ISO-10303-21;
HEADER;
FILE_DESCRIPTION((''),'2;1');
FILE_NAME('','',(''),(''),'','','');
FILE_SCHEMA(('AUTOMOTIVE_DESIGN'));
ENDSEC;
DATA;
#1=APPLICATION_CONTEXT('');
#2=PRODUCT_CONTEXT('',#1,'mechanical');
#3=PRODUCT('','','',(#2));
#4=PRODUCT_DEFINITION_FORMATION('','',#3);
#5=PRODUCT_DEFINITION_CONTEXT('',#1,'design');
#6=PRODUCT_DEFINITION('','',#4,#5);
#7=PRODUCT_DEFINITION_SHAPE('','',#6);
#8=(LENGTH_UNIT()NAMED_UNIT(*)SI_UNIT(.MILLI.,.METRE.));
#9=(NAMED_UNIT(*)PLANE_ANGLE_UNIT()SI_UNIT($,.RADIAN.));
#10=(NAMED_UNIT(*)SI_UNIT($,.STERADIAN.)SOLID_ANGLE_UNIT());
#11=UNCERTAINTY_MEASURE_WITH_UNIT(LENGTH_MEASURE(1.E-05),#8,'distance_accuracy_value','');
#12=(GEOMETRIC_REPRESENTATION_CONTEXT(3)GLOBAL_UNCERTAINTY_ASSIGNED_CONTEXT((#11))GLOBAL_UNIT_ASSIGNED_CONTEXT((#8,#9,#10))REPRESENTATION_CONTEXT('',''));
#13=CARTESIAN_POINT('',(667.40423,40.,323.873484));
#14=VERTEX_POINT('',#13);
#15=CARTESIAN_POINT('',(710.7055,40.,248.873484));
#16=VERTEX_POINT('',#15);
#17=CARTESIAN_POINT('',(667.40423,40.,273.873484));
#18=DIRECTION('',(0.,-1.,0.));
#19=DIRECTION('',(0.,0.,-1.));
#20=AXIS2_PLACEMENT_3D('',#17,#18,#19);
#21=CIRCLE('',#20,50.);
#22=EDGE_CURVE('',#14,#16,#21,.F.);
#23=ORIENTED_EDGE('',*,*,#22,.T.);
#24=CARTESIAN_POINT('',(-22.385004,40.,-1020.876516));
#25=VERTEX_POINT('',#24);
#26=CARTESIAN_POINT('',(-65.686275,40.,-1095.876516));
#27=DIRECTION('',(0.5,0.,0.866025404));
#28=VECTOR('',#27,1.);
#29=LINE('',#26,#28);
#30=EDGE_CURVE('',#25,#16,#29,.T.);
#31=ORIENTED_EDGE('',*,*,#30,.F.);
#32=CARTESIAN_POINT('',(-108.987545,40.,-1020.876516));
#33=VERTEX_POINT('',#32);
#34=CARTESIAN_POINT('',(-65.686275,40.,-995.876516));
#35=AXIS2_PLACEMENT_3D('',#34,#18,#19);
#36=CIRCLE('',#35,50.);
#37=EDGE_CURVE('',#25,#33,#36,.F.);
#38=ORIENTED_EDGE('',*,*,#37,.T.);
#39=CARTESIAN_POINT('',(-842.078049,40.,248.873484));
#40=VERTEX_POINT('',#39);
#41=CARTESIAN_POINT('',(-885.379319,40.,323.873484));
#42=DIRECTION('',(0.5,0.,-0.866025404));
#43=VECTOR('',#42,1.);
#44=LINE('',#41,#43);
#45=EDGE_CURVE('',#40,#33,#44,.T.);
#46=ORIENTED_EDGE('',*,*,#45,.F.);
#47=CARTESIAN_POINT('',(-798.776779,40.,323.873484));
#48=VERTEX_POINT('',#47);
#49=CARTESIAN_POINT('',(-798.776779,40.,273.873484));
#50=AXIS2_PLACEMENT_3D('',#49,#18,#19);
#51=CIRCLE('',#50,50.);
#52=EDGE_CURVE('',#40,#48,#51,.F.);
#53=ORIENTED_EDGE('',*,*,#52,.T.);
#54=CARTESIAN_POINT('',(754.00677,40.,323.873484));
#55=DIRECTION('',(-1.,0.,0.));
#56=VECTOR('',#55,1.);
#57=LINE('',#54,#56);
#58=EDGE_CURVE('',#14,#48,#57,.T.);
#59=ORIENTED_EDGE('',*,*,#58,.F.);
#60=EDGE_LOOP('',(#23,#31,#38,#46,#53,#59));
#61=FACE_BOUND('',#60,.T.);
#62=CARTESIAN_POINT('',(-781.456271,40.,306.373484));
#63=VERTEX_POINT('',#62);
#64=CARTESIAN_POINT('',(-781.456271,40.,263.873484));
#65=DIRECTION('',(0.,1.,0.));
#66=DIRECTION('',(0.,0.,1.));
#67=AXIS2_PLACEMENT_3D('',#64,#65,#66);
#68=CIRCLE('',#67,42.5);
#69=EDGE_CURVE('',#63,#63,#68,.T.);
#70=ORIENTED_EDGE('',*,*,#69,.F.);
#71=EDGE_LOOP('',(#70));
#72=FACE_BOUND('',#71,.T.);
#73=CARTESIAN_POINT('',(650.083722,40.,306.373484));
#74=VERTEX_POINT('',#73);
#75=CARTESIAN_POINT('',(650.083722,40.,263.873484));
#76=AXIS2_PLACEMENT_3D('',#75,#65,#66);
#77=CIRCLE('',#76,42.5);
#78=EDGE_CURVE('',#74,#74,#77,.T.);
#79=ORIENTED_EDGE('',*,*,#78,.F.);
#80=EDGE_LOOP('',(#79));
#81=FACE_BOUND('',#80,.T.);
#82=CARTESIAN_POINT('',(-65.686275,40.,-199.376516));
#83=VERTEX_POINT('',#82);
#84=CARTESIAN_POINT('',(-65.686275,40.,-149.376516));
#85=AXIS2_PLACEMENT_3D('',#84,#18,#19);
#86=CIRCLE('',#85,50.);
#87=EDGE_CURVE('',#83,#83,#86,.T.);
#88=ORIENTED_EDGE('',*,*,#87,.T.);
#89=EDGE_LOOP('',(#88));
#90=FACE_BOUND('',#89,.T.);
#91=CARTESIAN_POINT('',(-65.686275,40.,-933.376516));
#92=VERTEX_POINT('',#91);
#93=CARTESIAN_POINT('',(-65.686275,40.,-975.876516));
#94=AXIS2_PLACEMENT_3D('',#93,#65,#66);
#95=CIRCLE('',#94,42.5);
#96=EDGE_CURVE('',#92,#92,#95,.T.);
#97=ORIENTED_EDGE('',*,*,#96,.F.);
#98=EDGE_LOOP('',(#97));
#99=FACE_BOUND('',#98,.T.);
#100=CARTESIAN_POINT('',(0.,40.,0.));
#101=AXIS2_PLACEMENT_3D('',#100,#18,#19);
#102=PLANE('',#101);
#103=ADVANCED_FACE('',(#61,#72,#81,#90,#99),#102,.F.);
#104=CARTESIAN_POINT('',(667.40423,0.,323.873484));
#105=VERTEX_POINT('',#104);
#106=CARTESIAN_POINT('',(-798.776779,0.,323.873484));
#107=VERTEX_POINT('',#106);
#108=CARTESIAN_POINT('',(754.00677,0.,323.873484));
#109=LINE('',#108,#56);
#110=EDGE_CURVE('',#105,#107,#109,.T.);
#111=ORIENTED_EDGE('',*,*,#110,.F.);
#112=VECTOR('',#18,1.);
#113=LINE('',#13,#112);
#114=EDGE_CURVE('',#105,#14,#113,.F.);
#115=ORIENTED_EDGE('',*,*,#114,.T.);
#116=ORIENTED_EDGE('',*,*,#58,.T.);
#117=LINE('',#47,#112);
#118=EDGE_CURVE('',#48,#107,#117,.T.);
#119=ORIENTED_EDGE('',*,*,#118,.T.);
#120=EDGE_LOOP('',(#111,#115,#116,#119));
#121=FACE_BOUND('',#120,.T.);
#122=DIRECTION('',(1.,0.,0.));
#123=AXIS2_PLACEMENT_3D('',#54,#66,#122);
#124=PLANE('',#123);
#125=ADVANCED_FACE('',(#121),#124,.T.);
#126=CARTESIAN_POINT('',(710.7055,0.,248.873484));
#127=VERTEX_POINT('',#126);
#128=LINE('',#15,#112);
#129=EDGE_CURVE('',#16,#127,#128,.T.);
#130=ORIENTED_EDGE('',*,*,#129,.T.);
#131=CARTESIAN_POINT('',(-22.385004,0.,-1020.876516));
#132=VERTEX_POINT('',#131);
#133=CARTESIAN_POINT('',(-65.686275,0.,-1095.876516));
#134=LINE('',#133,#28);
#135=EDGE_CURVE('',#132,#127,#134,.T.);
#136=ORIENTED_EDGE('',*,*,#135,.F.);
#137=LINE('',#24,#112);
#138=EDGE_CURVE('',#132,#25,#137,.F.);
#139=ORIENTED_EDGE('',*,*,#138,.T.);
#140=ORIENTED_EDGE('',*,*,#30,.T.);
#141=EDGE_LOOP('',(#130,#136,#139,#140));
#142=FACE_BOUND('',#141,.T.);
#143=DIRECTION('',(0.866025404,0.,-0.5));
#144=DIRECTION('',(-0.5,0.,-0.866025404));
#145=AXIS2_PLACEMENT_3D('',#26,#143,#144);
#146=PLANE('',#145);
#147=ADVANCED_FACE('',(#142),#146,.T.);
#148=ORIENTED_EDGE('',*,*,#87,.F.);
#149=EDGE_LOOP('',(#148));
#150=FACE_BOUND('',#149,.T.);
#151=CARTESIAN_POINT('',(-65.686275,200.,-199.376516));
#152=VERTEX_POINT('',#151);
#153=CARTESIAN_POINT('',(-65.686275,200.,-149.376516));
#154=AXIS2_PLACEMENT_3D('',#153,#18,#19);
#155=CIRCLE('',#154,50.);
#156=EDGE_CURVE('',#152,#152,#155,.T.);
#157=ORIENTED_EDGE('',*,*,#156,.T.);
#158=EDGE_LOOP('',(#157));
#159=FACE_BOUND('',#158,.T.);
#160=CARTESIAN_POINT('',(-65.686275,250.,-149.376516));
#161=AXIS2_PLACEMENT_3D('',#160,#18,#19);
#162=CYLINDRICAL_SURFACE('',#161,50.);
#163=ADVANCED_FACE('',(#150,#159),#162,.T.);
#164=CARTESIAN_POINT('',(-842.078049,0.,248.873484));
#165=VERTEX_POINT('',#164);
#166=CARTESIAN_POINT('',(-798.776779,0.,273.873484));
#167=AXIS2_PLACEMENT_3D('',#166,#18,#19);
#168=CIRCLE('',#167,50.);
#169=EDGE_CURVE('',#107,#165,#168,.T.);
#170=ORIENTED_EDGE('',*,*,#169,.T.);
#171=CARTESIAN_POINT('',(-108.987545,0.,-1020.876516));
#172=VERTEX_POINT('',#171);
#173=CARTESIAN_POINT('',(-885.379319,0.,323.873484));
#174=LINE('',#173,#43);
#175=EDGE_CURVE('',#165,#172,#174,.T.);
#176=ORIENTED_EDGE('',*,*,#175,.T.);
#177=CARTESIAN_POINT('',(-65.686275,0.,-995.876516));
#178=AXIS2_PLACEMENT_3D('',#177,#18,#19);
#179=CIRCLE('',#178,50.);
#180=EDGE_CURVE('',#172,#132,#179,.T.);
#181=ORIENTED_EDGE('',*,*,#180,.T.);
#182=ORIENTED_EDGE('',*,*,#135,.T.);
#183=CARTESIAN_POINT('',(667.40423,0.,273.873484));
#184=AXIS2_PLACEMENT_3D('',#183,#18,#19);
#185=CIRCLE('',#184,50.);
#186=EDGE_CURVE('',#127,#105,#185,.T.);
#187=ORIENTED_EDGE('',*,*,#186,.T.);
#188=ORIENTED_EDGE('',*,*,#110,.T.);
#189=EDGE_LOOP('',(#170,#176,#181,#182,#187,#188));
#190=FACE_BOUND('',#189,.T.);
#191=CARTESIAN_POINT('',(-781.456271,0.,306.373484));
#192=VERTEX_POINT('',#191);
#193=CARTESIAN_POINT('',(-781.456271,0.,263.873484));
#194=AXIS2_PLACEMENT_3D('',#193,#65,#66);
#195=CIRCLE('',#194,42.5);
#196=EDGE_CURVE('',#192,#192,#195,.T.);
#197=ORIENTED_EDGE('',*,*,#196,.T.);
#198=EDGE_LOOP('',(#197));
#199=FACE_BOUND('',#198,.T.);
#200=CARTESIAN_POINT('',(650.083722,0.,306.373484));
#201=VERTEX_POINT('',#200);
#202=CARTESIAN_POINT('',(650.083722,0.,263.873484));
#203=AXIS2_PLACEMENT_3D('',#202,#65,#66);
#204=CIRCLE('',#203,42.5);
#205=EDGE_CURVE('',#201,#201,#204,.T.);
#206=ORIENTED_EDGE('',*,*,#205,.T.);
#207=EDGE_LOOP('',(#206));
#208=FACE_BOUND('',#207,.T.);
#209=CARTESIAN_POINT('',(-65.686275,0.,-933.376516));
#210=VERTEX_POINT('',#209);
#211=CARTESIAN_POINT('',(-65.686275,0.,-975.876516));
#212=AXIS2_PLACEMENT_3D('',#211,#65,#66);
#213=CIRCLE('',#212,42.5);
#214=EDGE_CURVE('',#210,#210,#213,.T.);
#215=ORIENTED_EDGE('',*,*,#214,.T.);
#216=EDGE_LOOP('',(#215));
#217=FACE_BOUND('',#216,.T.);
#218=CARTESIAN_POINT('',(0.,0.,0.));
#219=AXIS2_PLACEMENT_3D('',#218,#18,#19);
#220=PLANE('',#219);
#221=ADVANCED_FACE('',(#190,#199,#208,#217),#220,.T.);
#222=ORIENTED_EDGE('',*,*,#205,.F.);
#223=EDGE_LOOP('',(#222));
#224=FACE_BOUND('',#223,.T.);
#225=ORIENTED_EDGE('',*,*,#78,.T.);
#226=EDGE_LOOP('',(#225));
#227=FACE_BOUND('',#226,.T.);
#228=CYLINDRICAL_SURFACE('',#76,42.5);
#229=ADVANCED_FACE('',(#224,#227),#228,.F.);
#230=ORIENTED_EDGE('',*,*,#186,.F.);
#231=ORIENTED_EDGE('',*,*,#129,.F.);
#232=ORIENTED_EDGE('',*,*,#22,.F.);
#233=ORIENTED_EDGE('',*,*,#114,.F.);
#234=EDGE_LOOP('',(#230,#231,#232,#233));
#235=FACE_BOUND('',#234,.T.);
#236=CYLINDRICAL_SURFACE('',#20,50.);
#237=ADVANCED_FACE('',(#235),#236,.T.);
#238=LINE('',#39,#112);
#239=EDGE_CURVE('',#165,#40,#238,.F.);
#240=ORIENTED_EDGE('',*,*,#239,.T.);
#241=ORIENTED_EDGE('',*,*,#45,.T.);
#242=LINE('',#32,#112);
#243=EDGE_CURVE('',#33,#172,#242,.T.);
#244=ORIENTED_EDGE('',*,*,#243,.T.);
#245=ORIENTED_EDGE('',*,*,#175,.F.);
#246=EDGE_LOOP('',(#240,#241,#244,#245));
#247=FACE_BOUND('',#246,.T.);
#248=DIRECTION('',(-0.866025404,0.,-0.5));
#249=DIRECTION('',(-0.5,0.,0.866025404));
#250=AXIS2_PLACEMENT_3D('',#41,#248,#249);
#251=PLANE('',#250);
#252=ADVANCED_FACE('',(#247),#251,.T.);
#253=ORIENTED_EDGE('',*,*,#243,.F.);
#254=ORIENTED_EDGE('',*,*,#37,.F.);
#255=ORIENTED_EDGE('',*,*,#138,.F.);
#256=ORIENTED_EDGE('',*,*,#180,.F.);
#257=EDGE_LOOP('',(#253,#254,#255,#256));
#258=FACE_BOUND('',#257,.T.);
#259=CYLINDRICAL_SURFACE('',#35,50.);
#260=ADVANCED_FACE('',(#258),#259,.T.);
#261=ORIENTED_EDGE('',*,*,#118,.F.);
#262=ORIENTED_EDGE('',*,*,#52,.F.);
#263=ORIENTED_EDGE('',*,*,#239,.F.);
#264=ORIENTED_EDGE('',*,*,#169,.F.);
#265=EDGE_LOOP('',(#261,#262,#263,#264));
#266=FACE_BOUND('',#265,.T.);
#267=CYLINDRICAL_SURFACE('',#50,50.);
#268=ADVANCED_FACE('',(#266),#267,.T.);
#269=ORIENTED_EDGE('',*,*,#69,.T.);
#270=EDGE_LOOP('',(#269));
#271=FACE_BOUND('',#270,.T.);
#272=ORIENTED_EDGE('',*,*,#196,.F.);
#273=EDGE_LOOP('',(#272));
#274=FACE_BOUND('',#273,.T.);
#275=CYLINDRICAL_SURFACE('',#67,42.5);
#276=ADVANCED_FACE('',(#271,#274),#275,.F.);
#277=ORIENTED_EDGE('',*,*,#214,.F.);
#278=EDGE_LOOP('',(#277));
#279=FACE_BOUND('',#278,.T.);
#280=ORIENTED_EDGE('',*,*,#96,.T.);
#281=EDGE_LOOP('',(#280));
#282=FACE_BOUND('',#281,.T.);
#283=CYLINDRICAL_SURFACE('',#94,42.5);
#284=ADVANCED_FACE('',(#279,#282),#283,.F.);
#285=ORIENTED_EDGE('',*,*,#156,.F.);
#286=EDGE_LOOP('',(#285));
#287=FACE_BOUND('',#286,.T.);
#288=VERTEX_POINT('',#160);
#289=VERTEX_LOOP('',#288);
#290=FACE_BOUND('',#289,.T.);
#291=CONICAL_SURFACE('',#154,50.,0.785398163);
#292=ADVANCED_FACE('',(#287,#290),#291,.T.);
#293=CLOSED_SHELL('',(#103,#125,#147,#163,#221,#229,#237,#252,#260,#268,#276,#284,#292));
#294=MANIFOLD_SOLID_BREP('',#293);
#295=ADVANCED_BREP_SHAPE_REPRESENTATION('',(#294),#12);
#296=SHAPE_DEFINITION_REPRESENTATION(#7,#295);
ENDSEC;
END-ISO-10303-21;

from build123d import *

# Parameters (mm, degrees)
BOSS_EXTRUDE1_DEPTH      = 40
F_1_0_1_DIAMETER_HOLE1_D = 85
SKETCH8_R                = 50
BOSS_EXTRUDE2_DEPTH      = 250
FILLET1_R                = 50
CHAMFER1_SIZE            = 50


with BuildPart() as part:
    # Sketch1 → Boss-Extrude1 (new body)
    with BuildSketch(Plane(origin=(0, 0, 0), x_dir=(1, 0, 0), z_dir=(0, 1, 0))):
        Polygon((-65.68627451, 1095.876515785), (754.006770172, -323.873484215), (-885.379319192, -323.873484215), align=None)
    extrude(amount=BOSS_EXTRUDE1_DEPTH)

    # Ø1.0 (1) Diameter Hole1 (through all)
    with Locations(Plane(origin=(0, 40, 0), x_dir=(1, 0, 0), z_dir=(0, 1, 0))):
        with Locations((-65.68627451, 975.876515785), (-781.456270738, -263.873484215), (650.083721718, -263.873484215)):
            Hole(F_1_0_1_DIAMETER_HOLE1_D / 2)

    # Sketch8 → Boss-Extrude2 (add)
    with BuildSketch(Plane(origin=(0, 0, 0), x_dir=(-1, 0, 0), z_dir=(0, -1, 0))):
        with Locations(Location((65.68627451, 149.376515785, 0), (0, 0, 90))):
            Circle(SKETCH8_R)
    extrude(amount=-BOSS_EXTRUDE2_DEPTH)

    # Fillet1
    fillet1_edges = [part.edges().sort_by_distance(p)[0] for p in [
        (-885.379319192, 20, 323.873484215),
        (754.006770172, 20, 323.873484215),
        (-65.68627451, 20, -1095.876515785),
    ]]
    fillet(fillet1_edges, radius=FILLET1_R)

    # Chamfer1
    chamfer1_edges = [part.edges().sort_by_distance(p)[0] for p in [
        (-65.68627451, 250, -99.376515785),
    ]]
    chamfer(chamfer1_edges, length=CHAMFER1_SIZE)


solid = part.part
